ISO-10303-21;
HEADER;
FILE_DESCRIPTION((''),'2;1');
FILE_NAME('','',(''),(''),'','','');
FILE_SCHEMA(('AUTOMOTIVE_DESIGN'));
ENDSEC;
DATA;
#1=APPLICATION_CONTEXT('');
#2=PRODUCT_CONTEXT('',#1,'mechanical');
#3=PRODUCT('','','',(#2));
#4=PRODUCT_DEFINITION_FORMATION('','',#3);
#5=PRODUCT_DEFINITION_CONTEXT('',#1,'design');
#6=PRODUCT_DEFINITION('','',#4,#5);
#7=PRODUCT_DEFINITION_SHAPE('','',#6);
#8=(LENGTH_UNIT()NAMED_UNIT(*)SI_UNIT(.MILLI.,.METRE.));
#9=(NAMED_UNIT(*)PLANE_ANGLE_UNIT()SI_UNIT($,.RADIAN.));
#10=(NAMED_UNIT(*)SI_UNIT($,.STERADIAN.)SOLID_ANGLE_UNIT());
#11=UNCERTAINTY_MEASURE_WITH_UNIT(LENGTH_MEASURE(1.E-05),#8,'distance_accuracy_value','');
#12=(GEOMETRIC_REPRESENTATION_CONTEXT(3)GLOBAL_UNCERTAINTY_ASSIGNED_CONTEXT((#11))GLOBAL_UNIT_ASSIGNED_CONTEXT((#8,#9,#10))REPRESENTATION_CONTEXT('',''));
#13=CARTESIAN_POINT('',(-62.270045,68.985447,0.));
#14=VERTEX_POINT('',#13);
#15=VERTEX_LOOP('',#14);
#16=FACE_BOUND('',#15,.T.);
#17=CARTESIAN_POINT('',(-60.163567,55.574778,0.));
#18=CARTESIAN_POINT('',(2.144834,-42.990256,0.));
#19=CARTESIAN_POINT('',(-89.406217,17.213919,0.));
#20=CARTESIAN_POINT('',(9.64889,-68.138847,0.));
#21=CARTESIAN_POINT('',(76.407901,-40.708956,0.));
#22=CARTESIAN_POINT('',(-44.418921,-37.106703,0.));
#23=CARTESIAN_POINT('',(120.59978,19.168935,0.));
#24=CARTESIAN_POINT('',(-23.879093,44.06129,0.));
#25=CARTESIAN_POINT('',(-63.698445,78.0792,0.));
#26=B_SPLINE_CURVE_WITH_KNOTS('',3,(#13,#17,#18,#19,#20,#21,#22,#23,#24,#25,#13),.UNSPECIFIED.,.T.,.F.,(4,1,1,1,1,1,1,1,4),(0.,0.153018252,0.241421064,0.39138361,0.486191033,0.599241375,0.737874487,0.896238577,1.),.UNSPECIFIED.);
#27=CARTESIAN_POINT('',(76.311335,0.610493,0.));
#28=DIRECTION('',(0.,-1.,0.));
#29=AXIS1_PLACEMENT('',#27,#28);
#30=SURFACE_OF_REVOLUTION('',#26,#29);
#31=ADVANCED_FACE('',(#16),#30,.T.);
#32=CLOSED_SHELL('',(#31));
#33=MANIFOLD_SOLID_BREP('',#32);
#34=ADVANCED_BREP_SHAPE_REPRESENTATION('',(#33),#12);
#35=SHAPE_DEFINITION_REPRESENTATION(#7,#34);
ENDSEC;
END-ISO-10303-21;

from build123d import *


with BuildPart() as f1:
    # F0 (on Top) → F1 (revolve)
    with BuildSketch(Plane.XY):
        with BuildLine():
            add(Edge.make_bspline(
                [(-62.2700452805, 68.9854472876), (-60.1635667519, 55.5747775576), (2.1448339994, -42.9902561493), (-89.4062169964, 17.2139190921), (9.6488904818, -68.1388474596), (76.4079007128, -40.7089556924), (-44.4189206601, -37.1067026511), (120.5997800245, 19.1689348109), (-23.8790929352, 44.061289705), (-63.6984448786, 78.0792001997), (-62.2700452805, 68.9854472876)],
                knots=[0, 0, 0, 0, 0.1530182521, 0.2414210637, 0.3913836102, 0.4861910333, 0.5992413753, 0.7378744875, 0.8962385769, 1, 1, 1, 1], degree=3))
        make_face()
    revolve(axis=Axis((76.3113349676, 0.6104931235, 0), (0, -1, 0)))


solid = f1.part
